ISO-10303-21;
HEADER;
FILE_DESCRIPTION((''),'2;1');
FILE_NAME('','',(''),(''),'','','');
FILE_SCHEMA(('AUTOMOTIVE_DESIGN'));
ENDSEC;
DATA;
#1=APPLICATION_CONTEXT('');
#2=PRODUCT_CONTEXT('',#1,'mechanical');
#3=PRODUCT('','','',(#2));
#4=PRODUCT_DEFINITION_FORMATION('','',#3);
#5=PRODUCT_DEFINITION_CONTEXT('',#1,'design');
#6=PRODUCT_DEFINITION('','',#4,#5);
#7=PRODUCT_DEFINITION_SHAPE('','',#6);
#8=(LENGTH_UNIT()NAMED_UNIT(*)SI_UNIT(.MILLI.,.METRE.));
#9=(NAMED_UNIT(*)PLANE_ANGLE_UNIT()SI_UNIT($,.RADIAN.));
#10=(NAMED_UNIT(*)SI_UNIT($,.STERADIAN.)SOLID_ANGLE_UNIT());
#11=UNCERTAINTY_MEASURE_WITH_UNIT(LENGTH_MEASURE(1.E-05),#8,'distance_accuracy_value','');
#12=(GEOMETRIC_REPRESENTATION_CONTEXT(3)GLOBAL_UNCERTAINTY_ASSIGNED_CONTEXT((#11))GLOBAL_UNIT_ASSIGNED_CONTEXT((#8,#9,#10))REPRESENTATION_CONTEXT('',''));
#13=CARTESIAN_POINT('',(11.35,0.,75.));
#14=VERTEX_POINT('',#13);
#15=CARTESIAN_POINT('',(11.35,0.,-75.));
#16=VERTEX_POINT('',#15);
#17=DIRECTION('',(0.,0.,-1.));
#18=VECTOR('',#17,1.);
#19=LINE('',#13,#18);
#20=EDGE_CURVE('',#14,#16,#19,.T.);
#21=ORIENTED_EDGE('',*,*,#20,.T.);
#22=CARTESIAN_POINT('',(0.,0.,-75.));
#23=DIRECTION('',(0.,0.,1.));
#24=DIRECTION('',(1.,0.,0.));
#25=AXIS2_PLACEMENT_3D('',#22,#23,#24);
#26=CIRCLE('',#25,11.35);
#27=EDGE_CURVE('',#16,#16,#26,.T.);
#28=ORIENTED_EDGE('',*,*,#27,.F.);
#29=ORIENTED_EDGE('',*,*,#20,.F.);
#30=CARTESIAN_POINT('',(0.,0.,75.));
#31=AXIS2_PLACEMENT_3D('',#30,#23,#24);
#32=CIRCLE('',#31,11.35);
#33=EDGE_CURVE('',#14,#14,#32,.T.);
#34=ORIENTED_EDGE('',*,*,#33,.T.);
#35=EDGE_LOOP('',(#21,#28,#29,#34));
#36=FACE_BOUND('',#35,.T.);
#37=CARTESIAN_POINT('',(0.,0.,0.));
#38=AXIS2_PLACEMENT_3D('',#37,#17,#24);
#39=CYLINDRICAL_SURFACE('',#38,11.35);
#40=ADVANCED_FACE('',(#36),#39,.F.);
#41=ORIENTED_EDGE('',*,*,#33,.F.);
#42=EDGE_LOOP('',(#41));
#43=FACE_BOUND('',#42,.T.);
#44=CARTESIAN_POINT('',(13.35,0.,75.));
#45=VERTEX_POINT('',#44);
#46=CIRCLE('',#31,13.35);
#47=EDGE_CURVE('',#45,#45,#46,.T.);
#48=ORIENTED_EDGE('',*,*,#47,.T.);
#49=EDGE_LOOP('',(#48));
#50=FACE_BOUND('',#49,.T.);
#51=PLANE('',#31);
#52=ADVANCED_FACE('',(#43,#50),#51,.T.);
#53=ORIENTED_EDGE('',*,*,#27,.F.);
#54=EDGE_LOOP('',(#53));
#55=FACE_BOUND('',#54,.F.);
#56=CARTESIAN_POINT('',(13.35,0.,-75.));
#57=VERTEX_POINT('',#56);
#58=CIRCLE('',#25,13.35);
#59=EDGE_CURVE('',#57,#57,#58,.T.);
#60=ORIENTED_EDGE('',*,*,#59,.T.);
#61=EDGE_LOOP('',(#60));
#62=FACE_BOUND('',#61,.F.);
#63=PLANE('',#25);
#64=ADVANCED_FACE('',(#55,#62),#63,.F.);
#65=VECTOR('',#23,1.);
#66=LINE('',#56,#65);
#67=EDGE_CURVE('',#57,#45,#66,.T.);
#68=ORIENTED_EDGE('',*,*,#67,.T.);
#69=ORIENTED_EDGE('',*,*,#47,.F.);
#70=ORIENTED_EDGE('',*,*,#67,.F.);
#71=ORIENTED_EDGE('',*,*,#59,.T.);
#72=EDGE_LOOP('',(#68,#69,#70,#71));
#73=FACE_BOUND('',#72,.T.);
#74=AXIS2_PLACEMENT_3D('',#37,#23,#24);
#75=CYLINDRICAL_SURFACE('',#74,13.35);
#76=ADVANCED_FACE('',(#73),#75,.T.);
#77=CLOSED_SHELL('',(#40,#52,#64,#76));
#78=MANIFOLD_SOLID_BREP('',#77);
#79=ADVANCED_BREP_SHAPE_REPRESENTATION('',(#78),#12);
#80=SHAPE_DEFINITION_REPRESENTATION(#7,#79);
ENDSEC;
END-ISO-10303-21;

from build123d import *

# Parameters (mm, degrees)
SKETCH1_R           = 13.35
SKETCH1_R_2         = 11.35
EXTRUDE_THIN1_DEPTH = 75


with BuildPart() as part:
    # Sketch1 → Extrude-Thin1 (new, symmetric)
    with BuildSketch(Plane.XY):
        Circle(SKETCH1_R)
        Circle(SKETCH1_R_2, mode=Mode.SUBTRACT)
    extrude(amount=EXTRUDE_THIN1_DEPTH, both=True)


solid = part.part
